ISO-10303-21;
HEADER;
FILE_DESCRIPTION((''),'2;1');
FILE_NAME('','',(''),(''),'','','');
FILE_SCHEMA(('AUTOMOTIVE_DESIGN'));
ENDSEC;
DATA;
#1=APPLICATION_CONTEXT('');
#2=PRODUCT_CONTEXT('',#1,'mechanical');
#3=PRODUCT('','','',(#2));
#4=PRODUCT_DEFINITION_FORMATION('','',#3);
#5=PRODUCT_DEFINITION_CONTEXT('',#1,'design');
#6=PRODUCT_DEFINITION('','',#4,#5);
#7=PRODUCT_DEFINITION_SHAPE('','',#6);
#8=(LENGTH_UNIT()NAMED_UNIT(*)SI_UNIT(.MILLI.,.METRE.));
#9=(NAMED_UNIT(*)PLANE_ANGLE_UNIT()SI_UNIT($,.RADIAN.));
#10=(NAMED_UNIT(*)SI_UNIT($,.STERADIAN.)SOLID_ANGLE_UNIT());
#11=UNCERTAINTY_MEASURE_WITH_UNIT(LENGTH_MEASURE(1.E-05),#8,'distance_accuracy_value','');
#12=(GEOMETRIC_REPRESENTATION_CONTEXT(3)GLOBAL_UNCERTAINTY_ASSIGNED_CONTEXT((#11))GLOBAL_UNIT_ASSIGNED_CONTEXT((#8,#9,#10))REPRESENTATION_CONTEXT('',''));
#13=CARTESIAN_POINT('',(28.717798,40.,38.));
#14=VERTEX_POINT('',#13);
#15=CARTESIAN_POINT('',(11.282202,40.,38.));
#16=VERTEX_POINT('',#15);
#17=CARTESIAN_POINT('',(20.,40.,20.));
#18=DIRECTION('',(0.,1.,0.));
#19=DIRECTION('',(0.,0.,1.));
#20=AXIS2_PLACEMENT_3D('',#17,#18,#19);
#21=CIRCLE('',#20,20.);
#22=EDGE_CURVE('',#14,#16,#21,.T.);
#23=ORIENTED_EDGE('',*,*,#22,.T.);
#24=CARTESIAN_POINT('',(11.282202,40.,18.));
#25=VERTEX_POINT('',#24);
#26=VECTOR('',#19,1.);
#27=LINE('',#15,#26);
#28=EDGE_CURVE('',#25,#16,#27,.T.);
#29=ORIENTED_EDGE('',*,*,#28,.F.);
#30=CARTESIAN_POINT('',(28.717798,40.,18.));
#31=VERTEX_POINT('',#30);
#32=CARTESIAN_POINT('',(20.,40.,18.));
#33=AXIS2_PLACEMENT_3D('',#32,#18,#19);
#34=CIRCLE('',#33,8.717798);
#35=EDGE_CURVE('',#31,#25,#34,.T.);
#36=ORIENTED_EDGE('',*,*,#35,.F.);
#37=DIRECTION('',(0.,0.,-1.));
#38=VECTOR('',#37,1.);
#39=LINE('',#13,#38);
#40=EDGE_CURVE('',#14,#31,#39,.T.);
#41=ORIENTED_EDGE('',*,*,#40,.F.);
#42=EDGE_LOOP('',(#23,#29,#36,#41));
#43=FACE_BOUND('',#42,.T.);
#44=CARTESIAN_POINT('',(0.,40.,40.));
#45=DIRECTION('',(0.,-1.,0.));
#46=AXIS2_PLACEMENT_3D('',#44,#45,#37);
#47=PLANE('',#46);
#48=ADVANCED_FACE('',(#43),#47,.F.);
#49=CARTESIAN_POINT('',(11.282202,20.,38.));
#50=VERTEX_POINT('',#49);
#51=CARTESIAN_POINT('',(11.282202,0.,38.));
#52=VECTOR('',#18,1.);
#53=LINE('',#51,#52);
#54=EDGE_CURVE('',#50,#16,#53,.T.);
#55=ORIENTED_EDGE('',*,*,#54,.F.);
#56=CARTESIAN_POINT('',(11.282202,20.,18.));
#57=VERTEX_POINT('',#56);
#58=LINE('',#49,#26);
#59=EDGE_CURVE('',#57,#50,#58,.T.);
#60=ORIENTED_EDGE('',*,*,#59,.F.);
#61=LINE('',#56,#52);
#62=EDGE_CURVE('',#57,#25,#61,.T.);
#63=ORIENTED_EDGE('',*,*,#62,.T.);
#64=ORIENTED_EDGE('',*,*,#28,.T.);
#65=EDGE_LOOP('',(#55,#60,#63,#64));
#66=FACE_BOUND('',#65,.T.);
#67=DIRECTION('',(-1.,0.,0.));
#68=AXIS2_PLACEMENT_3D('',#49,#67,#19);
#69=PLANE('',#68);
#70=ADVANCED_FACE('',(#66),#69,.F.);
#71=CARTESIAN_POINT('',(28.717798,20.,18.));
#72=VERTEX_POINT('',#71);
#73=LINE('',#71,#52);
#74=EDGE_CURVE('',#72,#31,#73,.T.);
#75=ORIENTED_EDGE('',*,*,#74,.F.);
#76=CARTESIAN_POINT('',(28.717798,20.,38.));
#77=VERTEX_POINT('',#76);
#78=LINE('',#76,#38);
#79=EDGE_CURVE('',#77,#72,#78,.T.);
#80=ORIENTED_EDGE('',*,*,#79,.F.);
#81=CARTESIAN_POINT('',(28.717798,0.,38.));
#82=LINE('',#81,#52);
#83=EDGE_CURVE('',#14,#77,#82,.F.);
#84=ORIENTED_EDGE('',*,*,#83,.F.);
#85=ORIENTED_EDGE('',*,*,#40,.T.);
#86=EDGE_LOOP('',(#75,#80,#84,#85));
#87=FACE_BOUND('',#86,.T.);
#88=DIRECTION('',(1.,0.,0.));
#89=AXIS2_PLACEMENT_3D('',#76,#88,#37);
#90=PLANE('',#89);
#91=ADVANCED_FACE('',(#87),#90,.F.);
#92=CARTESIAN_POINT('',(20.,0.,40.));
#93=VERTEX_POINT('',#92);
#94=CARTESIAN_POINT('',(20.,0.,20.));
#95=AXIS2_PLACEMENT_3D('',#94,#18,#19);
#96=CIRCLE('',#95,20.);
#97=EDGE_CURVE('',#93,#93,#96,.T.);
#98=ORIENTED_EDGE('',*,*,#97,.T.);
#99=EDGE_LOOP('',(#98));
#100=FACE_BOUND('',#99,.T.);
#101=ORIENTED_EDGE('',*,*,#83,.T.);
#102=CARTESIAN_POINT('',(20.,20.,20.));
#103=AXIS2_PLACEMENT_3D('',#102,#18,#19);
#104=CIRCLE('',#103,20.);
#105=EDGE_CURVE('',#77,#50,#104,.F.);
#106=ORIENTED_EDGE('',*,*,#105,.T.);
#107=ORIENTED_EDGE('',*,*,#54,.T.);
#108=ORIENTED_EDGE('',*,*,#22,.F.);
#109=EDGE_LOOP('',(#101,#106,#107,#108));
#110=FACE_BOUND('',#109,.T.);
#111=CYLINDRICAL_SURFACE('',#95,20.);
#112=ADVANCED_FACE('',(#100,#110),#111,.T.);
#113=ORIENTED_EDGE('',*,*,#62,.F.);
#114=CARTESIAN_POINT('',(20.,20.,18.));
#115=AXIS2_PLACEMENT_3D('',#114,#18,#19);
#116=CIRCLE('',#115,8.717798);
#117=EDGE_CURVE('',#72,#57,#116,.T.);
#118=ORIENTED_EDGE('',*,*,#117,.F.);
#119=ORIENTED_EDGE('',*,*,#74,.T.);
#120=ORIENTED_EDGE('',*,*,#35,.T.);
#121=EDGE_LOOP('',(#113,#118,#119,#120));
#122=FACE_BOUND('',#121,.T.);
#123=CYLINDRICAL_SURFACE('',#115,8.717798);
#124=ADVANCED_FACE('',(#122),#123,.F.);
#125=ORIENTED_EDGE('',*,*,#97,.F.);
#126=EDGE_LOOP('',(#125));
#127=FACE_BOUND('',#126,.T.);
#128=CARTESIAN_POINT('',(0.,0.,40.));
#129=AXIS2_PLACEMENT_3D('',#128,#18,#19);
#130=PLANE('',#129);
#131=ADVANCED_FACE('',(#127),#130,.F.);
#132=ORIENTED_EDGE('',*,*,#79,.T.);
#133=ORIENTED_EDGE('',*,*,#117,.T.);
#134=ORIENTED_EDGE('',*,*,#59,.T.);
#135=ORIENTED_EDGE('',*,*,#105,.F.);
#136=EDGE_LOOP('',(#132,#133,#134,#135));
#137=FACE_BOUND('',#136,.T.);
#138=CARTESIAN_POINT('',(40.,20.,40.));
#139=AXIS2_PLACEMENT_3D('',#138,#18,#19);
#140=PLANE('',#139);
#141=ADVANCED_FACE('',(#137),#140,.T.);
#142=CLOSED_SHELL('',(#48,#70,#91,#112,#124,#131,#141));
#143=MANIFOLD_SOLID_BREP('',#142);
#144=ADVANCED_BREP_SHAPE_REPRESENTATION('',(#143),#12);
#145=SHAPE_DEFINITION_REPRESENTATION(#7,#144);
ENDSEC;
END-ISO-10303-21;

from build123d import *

# Parameters (mm, degrees)
SKETCH1_W           = 40
SKETCH1_H           = 40
BOSS_EXTRUDE1_DEPTH = 40
CUT_EXTRUDE1_DEPTH  = 40
SKETCH3_W           = 2
SKETCH3_H           = 20
CUT_EXTRUDE2_DEPTH  = 40
CUT_EXTRUDE3_DEPTH  = 20


with BuildPart() as part:
    # Sketch1 → Boss-Extrude1 (new body)
    with BuildSketch(Plane.XY):
        with Locations((20, 20)):
            Rectangle(SKETCH1_W, SKETCH1_H)
    extrude(amount=BOSS_EXTRUDE1_DEPTH)

    # Sketch2 → Cut-Extrude1 (cut)
    with BuildSketch(Plane(origin=(0, 40, 0), x_dir=(1, 0, 0), z_dir=(0, 1, 0))):
        with BuildLine():
            Line((20, 0), (0, 0))
            Line((0, 0), (0, -20))
            ThreePointArc((0, -20), (5.857864376, -5.857864376), (20, 0))
        make_face()
        with BuildLine():
            Line((40, 0), (20, 0))
            ThreePointArc((20, 0), (34.142135624, -5.857864376), (40, -20))
            Line((40, -20), (40, 0))
        make_face()
        with BuildLine():
            Line((40, -40), (40, -20))
            ThreePointArc((40, -20), (34.142135624, -34.142135624), (20, -40))
            Line((20, -40), (40, -40))
        make_face()
        with BuildLine():
            ThreePointArc((20, -40), (5.857864376, -34.142135624), (0, -20))
            Line((0, -20), (0, -40))
            Line((0, -40), (20, -40))
        make_face()
    extrude(amount=-CUT_EXTRUDE1_DEPTH, mode=Mode.SUBTRACT)

    # Sketch3 → Cut-Extrude2 (cut)
    with BuildSketch(Plane(origin=(0, 0, 0), x_dir=(0, 0, -1), z_dir=(1, 0, 0))):
        with Locations((-39, 30)):
            Rectangle(SKETCH3_W, SKETCH3_H)
    extrude(amount=CUT_EXTRUDE2_DEPTH, mode=Mode.SUBTRACT)

    # Sketch4 → Cut-Extrude3 (cut)
    with BuildSketch(Plane(origin=(0, 40, 0), x_dir=(1, 0, 0), z_dir=(0, 1, 0))):
        with BuildLine():
            Line((11.282202113, -38), (11.282202113, -18))
            ThreePointArc((11.282202113, -18), (20, -9.282202113), (28.717797887, -18))
            Line((28.717797887, -18), (28.717797887, -38))
            Line((28.717797887, -38), (11.282202113, -38))
        make_face()
    extrude(amount=-CUT_EXTRUDE3_DEPTH, mode=Mode.SUBTRACT)


solid = part.part
